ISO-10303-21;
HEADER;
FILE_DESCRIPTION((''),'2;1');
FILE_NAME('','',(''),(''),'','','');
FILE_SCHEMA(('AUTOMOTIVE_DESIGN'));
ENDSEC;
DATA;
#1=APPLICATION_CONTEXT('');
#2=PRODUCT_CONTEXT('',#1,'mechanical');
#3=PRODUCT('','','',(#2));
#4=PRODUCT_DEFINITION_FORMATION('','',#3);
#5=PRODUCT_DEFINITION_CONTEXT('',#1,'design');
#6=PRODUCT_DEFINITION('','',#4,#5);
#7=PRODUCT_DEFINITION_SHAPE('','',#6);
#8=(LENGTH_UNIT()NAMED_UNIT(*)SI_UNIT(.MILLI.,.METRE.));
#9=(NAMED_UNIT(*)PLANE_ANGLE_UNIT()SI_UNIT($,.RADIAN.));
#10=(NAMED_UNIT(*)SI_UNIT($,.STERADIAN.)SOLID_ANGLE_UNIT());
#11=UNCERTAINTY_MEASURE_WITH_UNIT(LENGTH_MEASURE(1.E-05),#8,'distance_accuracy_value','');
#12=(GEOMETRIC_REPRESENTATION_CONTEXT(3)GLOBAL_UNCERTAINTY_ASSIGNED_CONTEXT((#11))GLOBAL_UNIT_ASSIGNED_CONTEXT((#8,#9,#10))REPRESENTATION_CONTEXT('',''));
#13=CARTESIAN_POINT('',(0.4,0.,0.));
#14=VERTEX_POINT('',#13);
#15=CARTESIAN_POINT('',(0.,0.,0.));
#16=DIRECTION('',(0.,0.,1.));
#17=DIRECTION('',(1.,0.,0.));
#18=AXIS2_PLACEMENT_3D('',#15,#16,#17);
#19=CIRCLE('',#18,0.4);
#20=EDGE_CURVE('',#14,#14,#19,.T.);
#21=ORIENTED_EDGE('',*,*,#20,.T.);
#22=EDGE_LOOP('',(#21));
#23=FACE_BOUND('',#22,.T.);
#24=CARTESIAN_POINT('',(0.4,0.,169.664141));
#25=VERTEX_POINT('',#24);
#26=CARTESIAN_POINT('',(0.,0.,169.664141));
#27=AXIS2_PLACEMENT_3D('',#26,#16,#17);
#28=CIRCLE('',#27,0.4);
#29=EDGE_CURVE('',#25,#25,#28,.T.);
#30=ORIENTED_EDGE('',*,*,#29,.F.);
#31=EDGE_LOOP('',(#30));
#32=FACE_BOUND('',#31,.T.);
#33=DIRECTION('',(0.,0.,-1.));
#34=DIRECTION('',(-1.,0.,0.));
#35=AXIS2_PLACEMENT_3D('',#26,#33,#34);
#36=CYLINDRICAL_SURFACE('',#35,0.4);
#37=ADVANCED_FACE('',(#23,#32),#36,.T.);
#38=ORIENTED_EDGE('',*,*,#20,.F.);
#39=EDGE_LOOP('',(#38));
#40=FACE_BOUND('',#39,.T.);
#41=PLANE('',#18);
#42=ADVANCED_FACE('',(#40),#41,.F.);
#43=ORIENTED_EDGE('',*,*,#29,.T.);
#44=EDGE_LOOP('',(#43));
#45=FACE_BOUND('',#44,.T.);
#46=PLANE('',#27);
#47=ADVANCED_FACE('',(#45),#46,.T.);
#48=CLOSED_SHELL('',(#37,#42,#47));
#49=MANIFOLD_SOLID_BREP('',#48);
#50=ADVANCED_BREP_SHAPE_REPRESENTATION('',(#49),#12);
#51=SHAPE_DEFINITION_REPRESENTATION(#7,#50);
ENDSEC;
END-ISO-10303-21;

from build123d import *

# Parameters (mm, degrees)
SKETCH_1_R = 0.4
D0P8_DEPTH = 169.664140853


with BuildPart() as part:
    # 草图1 → D0p8钢索直线跨度 (new body)
    with BuildSketch(Plane.XY):
        Circle(SKETCH_1_R)
    extrude(amount=D0P8_DEPTH)


solid = part.part
